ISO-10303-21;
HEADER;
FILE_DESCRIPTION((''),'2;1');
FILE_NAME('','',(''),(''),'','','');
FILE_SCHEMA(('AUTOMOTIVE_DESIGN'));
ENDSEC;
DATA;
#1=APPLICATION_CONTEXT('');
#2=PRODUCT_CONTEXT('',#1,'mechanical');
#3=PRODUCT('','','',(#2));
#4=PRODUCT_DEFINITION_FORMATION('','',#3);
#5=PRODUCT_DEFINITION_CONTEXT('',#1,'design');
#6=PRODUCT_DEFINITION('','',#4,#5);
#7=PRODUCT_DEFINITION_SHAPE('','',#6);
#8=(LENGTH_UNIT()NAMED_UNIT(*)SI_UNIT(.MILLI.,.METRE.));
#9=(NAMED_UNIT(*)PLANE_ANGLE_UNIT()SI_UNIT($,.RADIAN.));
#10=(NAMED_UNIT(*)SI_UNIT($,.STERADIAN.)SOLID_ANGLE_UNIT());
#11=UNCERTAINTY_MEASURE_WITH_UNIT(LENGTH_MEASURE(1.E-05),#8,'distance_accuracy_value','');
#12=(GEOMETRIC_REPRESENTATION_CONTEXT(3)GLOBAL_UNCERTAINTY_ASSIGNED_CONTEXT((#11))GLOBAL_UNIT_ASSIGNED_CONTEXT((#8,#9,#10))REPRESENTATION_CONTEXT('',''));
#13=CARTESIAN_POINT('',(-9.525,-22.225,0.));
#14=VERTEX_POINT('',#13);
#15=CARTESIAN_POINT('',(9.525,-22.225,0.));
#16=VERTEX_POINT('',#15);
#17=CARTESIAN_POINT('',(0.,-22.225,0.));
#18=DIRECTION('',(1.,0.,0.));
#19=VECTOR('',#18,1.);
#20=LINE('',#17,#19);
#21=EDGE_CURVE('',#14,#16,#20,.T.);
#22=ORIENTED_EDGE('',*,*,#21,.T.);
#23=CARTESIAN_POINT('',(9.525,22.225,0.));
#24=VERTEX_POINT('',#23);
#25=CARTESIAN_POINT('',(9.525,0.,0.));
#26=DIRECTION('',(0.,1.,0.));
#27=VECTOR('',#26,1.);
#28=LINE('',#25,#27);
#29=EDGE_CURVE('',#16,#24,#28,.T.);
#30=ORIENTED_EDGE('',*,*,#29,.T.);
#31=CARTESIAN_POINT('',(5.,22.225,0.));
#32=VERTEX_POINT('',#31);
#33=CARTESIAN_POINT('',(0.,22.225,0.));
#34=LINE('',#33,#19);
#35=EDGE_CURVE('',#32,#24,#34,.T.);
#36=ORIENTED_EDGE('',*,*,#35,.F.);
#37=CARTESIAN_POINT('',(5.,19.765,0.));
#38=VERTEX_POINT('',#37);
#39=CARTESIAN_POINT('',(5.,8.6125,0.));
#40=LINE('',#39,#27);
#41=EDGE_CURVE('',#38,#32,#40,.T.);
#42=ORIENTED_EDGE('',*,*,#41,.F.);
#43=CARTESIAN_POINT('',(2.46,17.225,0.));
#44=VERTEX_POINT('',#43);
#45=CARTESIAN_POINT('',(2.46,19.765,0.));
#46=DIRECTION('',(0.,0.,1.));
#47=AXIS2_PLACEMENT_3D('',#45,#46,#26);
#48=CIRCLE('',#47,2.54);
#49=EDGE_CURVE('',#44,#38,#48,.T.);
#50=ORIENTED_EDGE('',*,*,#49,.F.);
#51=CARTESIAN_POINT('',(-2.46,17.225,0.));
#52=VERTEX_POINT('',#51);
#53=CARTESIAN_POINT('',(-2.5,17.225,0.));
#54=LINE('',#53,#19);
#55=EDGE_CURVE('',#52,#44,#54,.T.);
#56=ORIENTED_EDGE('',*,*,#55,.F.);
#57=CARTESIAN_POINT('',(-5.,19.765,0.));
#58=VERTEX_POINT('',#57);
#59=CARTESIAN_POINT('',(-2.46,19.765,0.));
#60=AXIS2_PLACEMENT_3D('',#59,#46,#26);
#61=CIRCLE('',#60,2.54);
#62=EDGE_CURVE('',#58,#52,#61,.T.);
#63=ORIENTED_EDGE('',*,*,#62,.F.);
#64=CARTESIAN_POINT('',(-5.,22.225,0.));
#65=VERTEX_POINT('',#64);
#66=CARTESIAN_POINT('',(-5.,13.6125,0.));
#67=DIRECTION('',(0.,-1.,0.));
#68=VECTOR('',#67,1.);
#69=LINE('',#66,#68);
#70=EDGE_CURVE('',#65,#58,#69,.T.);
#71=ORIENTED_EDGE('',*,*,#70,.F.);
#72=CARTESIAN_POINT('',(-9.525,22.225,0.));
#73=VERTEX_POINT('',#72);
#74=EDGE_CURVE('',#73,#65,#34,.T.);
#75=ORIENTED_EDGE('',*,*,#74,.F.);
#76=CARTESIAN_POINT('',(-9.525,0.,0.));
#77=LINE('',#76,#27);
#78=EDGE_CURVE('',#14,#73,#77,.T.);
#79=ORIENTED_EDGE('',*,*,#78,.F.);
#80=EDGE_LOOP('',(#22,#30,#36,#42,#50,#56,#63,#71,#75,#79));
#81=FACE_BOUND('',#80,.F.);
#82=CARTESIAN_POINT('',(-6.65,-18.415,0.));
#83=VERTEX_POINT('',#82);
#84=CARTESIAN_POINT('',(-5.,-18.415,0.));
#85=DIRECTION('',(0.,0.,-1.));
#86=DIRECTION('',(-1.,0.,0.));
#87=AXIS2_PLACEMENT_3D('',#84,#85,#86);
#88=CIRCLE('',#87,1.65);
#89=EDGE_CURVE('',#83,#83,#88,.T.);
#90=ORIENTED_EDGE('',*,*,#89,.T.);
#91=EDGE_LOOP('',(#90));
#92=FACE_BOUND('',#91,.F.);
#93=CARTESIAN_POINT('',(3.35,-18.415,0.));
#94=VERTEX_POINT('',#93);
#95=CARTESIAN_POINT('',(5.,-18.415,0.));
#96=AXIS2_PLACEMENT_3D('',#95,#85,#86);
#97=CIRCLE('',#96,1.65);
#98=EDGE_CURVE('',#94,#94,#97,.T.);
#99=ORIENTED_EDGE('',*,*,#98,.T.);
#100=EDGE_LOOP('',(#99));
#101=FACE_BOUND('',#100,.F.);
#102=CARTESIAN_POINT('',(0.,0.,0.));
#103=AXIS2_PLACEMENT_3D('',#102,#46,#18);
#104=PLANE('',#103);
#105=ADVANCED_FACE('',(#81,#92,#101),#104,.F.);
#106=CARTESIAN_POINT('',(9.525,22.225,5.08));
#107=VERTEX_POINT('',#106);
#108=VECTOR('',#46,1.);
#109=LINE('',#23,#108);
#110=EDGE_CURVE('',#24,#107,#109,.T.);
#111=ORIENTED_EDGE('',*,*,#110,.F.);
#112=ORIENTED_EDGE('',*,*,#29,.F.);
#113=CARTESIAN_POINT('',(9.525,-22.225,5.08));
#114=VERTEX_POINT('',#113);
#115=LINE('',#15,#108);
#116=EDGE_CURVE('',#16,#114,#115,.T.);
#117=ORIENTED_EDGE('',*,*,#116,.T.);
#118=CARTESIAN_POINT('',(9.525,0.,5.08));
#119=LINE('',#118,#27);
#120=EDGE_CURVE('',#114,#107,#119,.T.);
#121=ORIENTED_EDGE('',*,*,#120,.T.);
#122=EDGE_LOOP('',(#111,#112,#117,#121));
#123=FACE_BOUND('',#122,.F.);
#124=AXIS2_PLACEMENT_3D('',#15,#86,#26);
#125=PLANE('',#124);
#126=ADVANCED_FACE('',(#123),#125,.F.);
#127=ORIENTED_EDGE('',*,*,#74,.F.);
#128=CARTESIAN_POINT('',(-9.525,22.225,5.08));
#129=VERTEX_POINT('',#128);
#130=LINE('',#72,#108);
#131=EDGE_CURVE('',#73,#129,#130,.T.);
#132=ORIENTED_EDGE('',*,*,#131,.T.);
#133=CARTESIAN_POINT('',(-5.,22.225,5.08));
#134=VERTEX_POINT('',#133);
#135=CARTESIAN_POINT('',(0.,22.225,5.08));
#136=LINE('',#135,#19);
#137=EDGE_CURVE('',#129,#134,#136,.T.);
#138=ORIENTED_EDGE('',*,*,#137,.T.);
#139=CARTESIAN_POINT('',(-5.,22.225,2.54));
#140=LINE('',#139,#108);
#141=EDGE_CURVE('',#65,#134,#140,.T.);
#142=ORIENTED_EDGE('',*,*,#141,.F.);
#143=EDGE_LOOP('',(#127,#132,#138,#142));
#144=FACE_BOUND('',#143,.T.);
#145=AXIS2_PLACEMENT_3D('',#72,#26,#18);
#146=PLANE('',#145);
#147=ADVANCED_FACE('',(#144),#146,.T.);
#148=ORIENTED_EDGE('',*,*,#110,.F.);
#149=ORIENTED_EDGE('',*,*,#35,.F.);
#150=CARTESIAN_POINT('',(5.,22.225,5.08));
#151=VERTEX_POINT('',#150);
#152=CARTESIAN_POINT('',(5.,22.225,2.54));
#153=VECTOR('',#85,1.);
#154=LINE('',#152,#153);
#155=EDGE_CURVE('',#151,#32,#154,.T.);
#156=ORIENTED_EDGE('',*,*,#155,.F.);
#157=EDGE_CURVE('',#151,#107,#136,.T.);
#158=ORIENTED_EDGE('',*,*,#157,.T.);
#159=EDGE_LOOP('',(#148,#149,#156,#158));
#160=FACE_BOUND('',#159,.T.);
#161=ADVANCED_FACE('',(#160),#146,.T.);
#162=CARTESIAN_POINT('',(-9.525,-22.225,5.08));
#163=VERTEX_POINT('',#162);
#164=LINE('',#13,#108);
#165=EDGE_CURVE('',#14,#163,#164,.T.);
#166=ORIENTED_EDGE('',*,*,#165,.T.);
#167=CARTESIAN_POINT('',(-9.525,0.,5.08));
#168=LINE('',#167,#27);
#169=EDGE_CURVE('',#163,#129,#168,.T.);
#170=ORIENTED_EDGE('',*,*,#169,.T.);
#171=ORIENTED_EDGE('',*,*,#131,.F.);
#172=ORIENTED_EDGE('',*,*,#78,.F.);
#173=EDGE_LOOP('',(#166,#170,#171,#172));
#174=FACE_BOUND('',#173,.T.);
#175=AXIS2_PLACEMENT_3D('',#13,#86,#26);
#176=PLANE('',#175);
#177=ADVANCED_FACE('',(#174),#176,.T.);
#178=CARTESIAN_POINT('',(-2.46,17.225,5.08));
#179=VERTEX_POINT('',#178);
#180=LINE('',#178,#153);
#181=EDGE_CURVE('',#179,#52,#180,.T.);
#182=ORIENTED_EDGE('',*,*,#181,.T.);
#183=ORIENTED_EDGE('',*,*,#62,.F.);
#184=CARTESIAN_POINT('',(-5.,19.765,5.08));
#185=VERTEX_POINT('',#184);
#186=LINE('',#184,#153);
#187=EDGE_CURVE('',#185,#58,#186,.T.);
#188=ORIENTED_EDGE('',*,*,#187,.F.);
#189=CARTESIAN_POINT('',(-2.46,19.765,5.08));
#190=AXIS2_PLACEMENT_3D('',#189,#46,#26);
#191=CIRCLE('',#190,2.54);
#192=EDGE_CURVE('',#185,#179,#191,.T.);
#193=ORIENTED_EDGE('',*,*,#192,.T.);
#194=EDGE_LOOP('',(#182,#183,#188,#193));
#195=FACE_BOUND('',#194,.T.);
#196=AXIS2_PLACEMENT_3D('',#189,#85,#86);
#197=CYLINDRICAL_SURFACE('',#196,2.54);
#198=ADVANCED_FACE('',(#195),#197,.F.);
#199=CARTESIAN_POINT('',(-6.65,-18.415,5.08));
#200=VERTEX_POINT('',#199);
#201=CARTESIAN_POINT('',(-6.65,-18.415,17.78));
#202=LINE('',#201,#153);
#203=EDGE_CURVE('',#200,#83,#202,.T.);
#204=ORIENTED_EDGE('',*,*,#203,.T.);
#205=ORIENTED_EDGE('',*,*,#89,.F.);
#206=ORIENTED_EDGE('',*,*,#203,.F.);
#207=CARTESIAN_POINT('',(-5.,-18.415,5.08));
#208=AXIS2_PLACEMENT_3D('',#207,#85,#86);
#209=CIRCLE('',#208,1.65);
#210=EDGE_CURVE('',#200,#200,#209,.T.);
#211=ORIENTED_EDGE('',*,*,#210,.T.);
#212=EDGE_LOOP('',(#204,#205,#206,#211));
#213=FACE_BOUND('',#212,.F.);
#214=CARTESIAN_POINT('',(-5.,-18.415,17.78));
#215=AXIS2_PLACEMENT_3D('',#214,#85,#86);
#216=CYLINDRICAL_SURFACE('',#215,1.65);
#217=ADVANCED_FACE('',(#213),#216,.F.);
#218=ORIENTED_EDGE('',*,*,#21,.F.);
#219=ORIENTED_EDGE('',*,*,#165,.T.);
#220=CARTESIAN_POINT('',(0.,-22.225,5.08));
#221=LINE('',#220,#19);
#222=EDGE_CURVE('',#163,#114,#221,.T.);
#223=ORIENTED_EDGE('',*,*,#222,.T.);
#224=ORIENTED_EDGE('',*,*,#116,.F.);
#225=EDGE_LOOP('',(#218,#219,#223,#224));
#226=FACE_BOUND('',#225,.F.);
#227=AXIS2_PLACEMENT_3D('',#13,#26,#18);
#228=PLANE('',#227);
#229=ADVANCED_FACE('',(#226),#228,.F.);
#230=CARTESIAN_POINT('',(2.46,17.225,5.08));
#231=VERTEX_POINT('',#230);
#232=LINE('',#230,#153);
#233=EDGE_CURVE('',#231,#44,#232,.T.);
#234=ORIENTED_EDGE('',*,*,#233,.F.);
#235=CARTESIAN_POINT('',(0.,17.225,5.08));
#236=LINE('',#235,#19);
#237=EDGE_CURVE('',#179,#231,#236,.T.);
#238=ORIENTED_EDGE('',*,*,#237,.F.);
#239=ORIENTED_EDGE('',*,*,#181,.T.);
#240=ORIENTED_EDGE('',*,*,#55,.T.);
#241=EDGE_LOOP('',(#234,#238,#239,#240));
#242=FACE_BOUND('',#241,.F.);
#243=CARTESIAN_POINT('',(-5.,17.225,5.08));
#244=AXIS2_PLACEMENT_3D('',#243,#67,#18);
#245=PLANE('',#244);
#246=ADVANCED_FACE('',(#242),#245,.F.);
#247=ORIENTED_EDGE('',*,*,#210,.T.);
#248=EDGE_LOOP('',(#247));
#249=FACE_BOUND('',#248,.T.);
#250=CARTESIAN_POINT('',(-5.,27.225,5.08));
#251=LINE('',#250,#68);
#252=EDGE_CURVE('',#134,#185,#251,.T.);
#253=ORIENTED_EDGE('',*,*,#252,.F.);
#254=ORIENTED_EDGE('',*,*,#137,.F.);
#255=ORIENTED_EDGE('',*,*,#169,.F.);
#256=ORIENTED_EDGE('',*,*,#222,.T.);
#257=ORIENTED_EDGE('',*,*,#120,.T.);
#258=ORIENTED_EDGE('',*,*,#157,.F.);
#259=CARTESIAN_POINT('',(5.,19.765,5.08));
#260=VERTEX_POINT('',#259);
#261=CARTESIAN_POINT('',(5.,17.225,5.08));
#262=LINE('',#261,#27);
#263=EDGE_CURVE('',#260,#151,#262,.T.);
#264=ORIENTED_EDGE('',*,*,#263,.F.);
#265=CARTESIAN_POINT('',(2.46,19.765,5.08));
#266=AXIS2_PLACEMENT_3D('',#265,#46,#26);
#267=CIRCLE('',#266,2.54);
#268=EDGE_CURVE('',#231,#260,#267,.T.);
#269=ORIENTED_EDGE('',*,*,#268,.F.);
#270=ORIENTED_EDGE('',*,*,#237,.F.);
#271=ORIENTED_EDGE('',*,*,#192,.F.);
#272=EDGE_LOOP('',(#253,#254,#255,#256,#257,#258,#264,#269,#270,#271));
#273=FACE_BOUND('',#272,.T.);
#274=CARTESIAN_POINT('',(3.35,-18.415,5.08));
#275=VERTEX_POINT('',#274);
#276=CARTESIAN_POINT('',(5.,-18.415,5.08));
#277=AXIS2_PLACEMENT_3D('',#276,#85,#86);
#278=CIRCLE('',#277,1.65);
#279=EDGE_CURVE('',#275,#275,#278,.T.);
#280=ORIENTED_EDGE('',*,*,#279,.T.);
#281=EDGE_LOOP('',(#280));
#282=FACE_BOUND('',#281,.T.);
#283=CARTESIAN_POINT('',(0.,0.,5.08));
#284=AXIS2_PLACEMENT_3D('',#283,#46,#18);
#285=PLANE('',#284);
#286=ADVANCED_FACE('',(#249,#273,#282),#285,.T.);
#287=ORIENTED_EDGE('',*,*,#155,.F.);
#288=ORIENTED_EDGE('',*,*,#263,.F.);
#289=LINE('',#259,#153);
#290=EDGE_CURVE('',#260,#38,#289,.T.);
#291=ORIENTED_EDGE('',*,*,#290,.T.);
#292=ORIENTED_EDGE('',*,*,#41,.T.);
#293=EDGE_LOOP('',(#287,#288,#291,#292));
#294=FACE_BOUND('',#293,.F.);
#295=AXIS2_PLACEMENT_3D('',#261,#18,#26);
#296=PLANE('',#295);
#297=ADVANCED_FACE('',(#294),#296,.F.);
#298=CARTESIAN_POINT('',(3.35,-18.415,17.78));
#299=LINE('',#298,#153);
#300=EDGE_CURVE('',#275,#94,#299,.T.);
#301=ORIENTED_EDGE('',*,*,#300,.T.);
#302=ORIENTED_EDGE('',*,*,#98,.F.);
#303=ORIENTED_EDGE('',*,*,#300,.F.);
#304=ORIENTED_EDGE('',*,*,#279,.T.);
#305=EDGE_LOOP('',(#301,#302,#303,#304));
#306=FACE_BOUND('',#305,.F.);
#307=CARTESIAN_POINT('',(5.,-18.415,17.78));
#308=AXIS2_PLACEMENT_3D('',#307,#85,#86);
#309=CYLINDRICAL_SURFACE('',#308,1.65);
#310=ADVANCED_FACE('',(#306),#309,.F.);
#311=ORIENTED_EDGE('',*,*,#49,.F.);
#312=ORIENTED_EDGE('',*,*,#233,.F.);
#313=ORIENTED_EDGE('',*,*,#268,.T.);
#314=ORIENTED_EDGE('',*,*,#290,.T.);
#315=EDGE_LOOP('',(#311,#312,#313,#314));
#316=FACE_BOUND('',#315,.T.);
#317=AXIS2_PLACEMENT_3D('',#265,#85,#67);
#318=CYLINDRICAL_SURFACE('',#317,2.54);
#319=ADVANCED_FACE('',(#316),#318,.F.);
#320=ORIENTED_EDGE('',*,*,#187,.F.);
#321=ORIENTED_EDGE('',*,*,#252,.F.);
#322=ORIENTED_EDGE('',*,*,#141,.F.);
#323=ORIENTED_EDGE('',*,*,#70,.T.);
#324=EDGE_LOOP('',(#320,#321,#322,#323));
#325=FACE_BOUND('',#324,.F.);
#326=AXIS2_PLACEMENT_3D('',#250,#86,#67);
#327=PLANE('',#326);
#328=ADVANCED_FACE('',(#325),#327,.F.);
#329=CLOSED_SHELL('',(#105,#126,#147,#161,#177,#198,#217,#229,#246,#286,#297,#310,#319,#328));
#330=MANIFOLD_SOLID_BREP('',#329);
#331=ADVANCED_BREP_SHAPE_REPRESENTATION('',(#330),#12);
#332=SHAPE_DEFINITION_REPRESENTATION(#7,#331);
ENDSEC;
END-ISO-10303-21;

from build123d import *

# Parameters (mm, degrees)
F0_W     = 19.05
F0_H     = 44.45
F1_DEPTH = 5.08
F2_W     = 10
F2_H     = 5
F3_DEPTH = 25.4
F4_R     = 2.54
F6_D     = 3.3
F6_DEPTH = 12.7
F6_TIP   = 0.9914200214


with BuildPart() as f1:
    # F0 (on Top) → F1 (new body)
    with BuildSketch(Plane.XY):
        Rectangle(F0_W, F0_H)
    extrude(amount=F1_DEPTH)

    # F2 (on face) → F3 (cut)
    with BuildSketch(Plane.XY.offset(5.08)):
        with Locations((0, 24.725)):
            Rectangle(F2_W, F2_H)
        with Locations((0, 19.725)):
            Rectangle(F2_W, F2_H)
    extrude(amount=-F3_DEPTH, mode=Mode.SUBTRACT)

    # F4
    f4_edges = [f1.edges().sort_by_distance(p)[0] for p in [
        (-5, 17.225, 2.54),
        (5, 17.225, 2.54),
    ]]
    fillet(f4_edges, radius=F4_R)

    # F6
    with Locations(Plane.XY.offset(5.08)):
        with Locations((-5, -18.415), (5, -18.415)):
            Hole(F6_D / 2, depth=F6_DEPTH)
            with Locations((0, 0, -(F6_DEPTH + F6_TIP / 2))):  # 118° drill point
                Cone(0, F6_D / 2, F6_TIP, mode=Mode.SUBTRACT)


solid = f1.part
